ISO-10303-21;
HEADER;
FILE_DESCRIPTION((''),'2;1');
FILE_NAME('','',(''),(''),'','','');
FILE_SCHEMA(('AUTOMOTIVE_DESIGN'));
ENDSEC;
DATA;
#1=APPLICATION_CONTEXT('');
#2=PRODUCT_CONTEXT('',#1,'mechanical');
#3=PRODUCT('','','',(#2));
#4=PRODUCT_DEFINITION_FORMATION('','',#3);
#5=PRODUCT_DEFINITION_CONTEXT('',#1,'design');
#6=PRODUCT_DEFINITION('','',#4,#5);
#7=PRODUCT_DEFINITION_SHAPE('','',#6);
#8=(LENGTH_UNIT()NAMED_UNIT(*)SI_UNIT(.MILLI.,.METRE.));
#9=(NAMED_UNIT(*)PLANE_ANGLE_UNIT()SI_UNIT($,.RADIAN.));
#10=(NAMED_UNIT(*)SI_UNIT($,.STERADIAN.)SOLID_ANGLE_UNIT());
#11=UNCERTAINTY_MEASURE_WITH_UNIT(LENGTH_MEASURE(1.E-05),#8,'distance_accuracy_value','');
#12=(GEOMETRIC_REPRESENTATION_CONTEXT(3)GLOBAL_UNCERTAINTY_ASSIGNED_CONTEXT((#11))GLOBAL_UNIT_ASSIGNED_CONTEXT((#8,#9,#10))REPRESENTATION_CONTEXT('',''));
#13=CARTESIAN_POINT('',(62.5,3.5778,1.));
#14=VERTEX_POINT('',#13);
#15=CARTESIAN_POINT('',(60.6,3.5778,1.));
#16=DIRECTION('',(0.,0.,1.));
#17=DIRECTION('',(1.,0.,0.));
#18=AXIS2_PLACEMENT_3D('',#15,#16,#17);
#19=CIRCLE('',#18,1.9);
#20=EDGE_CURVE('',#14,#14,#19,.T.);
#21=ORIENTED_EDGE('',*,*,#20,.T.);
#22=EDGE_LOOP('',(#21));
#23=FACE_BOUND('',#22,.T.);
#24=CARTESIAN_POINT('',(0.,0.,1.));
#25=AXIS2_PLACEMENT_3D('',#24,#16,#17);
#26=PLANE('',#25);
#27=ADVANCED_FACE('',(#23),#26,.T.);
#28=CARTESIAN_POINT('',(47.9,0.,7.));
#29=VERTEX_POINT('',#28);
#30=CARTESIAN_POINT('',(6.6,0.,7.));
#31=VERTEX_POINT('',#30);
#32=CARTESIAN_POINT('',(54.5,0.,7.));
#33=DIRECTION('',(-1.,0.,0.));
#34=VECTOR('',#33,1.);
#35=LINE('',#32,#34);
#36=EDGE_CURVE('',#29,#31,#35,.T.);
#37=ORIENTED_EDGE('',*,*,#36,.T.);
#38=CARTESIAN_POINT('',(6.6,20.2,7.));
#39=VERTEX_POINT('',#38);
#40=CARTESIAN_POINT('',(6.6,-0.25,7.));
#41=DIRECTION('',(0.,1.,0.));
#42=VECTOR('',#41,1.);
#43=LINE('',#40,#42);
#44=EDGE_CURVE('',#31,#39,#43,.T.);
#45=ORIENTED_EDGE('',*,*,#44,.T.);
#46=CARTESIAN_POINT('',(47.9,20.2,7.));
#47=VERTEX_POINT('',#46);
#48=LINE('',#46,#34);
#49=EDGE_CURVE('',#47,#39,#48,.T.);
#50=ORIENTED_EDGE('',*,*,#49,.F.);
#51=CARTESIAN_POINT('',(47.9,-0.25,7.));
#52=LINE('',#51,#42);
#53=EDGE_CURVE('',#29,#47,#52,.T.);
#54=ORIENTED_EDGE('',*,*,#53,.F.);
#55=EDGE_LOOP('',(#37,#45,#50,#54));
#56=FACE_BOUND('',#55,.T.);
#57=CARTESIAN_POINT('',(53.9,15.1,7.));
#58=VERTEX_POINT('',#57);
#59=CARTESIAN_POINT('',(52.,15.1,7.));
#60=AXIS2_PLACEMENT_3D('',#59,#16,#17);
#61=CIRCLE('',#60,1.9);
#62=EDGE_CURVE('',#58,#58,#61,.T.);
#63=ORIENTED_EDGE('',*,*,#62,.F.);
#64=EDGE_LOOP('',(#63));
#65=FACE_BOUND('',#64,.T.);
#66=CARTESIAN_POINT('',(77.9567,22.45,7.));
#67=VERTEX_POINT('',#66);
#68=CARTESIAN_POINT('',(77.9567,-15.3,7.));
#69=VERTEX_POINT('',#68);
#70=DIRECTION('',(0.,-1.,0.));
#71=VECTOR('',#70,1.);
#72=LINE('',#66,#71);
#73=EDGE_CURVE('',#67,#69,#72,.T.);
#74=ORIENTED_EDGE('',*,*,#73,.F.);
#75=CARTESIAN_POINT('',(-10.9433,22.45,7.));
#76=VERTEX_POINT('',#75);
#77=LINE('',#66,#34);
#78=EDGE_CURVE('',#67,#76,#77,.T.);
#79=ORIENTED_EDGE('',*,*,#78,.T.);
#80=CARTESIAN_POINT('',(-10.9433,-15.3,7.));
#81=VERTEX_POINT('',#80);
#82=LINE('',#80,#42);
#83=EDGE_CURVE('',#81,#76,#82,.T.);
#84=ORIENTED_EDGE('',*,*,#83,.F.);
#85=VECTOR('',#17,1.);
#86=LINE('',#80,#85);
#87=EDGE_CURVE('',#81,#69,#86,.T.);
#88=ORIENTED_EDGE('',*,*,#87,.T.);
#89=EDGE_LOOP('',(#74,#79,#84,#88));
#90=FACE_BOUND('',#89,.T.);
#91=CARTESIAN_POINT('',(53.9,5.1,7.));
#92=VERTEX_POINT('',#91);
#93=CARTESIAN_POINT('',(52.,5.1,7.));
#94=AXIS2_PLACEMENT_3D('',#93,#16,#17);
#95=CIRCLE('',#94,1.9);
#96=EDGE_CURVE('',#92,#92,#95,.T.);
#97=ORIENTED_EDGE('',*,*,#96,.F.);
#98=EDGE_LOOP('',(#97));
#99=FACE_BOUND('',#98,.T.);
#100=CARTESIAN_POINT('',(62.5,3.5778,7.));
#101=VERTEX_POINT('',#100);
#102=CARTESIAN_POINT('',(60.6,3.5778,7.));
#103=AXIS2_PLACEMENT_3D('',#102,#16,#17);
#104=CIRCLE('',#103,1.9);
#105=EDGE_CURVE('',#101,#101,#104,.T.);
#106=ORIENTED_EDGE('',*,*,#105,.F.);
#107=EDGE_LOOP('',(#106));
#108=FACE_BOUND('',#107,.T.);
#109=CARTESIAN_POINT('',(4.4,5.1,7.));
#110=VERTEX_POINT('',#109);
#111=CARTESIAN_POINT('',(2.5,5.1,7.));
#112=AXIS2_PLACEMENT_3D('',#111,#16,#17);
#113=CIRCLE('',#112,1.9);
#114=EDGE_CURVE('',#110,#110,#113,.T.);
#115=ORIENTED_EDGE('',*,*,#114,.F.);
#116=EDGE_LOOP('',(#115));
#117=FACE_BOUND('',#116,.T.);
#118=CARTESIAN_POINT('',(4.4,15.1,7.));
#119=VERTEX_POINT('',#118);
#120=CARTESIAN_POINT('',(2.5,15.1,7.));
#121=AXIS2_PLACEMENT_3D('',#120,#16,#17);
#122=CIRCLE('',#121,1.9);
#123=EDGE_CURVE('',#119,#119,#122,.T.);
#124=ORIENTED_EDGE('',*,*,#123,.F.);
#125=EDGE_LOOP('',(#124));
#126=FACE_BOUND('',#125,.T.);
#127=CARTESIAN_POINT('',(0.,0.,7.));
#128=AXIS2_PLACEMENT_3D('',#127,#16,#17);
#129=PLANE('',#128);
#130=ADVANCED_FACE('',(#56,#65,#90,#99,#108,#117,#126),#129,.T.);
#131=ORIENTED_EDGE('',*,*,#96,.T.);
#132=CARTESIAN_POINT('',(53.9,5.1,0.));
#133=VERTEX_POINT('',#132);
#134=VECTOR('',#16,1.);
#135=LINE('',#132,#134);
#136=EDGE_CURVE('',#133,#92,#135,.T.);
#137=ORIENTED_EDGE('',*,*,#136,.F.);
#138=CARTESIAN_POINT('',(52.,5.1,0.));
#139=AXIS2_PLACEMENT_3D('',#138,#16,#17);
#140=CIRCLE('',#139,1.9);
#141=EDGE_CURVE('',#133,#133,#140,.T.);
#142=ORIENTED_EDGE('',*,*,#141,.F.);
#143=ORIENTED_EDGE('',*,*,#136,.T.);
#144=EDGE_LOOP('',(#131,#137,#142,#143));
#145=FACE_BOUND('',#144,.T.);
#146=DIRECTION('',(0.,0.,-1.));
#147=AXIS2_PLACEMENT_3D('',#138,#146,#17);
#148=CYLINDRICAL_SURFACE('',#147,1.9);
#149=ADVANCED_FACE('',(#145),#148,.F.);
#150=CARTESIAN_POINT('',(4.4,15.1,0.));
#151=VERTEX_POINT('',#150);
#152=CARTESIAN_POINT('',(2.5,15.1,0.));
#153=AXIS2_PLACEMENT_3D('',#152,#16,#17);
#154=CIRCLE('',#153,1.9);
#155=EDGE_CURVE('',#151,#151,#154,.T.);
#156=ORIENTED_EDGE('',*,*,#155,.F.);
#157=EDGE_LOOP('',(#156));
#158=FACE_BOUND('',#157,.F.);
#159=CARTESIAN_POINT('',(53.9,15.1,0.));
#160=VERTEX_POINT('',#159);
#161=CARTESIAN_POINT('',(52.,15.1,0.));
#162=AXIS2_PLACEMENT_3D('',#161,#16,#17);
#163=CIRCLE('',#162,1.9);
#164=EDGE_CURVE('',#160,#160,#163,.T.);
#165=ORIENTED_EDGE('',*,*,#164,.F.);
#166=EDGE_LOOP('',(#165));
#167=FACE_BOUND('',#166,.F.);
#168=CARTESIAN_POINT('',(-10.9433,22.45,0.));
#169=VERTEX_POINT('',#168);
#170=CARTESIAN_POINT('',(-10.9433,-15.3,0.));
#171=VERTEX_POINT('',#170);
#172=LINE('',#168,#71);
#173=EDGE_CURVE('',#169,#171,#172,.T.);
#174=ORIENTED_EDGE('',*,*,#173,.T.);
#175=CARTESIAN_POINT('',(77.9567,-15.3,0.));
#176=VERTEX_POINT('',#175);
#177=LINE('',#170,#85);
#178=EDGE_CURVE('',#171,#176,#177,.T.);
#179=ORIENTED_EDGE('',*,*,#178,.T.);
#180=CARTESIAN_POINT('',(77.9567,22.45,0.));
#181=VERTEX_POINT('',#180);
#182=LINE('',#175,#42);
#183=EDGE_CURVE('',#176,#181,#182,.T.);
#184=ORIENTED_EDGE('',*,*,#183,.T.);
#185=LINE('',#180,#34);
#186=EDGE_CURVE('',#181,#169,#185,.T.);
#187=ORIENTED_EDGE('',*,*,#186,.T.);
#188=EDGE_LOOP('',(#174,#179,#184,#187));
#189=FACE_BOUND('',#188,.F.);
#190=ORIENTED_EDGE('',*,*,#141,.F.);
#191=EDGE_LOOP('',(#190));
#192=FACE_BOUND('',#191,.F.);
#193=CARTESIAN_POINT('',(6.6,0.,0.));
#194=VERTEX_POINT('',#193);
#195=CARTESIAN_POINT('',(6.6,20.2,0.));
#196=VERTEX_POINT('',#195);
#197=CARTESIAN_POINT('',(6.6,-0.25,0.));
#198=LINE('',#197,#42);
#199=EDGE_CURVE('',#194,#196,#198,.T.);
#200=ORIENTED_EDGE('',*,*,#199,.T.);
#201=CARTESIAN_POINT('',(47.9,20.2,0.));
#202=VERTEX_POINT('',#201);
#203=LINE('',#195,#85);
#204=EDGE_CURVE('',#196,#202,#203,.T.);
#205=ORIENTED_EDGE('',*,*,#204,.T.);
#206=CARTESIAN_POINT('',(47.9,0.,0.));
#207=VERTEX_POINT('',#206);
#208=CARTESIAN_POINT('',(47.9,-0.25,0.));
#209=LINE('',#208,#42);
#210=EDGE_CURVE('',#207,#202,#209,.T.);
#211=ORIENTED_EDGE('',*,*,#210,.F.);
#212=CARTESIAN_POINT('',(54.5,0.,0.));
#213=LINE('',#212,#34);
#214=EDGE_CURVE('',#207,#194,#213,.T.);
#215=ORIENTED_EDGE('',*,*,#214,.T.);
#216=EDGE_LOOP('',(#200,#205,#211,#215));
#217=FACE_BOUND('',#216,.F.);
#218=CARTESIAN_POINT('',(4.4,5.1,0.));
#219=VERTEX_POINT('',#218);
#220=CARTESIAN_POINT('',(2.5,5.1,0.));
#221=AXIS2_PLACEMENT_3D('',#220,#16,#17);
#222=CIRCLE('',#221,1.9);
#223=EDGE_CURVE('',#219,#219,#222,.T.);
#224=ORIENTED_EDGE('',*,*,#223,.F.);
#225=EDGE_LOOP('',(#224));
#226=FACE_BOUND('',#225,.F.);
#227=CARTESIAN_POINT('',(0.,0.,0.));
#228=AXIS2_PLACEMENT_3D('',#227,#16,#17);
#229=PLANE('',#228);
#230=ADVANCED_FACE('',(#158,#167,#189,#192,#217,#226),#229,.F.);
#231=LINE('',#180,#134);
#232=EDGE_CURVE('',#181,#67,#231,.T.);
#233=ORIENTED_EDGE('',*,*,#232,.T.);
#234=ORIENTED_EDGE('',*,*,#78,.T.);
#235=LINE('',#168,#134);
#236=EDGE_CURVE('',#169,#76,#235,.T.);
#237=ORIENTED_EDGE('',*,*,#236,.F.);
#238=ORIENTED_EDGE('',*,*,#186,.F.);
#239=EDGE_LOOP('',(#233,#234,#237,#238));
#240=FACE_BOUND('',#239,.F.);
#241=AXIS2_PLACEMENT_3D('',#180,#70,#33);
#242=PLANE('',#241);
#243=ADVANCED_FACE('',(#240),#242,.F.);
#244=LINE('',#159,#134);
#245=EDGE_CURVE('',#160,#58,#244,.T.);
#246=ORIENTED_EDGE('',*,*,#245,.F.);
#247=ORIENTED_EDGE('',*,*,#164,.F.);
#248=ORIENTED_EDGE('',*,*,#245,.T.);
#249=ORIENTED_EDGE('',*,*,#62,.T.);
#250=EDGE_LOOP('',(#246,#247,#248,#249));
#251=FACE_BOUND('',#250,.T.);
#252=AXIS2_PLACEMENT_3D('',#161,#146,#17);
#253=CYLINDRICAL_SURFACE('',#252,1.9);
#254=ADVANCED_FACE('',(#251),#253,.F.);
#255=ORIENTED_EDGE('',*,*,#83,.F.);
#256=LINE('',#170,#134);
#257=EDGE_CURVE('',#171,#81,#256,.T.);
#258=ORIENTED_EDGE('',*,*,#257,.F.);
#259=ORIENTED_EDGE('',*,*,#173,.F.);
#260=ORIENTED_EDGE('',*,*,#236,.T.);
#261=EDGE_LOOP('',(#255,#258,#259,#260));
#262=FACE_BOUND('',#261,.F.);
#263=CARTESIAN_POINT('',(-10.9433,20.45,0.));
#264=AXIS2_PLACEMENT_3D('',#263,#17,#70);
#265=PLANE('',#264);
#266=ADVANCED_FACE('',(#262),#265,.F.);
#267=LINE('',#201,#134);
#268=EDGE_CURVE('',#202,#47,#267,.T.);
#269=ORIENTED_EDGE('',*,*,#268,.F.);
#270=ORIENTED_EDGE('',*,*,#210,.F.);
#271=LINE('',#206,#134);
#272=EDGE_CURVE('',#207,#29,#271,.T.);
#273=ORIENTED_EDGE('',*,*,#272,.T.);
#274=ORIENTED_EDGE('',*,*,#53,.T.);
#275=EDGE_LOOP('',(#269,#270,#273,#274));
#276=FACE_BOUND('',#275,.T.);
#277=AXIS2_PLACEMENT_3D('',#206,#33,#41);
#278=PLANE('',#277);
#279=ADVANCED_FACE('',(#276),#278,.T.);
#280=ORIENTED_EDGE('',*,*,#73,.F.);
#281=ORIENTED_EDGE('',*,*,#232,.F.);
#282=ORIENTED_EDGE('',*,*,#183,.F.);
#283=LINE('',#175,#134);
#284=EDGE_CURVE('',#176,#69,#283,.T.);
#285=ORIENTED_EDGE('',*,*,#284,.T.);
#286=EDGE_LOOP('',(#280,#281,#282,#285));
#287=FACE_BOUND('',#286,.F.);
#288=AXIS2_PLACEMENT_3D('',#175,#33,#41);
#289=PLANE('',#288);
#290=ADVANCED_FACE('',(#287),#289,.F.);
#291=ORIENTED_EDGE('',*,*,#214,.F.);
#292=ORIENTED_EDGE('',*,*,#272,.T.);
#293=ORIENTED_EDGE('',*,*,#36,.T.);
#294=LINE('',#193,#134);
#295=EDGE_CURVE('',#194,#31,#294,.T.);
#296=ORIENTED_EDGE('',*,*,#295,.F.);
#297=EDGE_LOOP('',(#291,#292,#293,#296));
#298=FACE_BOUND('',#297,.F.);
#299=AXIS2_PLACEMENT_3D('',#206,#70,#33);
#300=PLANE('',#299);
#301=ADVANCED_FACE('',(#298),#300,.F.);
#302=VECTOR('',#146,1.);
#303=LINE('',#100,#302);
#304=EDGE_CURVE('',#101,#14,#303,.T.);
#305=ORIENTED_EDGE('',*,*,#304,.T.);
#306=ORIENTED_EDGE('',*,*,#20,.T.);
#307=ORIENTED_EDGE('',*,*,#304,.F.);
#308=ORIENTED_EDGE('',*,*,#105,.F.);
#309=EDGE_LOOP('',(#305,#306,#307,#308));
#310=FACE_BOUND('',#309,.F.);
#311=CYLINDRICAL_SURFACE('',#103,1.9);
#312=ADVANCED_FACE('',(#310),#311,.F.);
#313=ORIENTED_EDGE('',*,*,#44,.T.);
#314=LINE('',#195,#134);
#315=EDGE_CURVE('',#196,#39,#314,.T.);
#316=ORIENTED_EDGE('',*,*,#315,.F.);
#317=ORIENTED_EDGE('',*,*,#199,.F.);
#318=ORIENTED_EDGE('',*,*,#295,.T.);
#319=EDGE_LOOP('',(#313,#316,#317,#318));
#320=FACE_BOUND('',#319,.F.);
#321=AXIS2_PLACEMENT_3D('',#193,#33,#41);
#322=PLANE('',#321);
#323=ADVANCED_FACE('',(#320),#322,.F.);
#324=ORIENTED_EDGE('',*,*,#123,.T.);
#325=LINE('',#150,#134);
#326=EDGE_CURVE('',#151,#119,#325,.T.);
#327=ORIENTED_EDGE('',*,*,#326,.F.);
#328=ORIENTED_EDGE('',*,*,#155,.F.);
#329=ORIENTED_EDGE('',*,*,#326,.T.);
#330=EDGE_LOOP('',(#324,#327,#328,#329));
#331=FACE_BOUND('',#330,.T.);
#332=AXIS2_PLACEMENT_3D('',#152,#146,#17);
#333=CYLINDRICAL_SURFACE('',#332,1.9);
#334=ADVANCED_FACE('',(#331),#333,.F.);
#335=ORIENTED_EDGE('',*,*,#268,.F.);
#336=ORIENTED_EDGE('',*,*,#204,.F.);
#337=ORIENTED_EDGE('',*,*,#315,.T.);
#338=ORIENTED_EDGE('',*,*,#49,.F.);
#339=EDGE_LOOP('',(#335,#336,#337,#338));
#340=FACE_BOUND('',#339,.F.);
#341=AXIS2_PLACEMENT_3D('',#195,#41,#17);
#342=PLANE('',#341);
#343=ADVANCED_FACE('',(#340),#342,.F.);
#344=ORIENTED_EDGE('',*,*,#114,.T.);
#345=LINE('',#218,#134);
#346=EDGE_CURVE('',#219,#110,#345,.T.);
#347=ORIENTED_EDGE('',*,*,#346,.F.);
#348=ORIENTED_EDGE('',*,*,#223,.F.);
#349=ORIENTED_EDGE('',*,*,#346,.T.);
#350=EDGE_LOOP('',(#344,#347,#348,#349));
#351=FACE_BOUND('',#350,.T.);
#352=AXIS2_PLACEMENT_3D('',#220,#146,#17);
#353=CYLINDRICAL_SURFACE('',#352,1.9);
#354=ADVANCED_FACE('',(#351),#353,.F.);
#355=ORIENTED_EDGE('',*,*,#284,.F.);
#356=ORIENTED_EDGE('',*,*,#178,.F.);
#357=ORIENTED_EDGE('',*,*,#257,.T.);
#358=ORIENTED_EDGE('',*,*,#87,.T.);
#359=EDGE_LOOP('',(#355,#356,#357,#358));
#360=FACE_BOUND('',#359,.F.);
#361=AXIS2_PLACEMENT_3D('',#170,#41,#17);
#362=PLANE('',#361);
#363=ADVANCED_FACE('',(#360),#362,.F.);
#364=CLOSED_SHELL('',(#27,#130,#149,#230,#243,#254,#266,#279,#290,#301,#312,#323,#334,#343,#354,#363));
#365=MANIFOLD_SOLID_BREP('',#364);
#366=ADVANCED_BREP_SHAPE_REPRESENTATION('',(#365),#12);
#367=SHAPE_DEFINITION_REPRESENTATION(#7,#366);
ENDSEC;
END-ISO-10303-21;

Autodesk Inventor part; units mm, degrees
ref_plane "YZ Plane" through (0, 0, 0) normal (1, 0, 0) x (0, 1, 0)
ref_plane "XZ Plane" through (0, 0, 0) normal (0, 1, 0) x (-1, 0, 0)
ref_plane "XY Plane" through (0, 0, 0) normal (0, 0, 1) x (1, 0, 0)
sketch "Sketch1" plane through (0, 0, 0) normal (0, 0, 1) x (1, 0, 0)
  line L0 (8.55, 7) -> (8.55, 13.2) construction
  line L1 (8.55, 13.2) -> (8.1046, 13.2) construction
  arc A0 (8.1046, 13.2) -> (8.1046, 7) centre (15.75, 10.1) ccw construction
  line L2 (8.1046, 7) -> (8.55, 7) construction
  line L3 (54.5, 18.2) -> (54.5, 16.6) construction
  line L4 (54.5, 16.6) -> (53.7436, 16.6) construction
  arc A1 (53.7436, 16.6) -> (53.7436, 13.6) centre (52, 15.1) ccw construction
  line L5 (53.7436, 13.6) -> (54.5, 13.6) construction
  line L6 (54.5, 13.6) -> (54.5, 6.6) construction
  line L7 (54.5, 6.6) -> (53.7436, 6.6) construction
  arc A2 (53.7436, 6.6) -> (53.7436, 3.6) centre (52, 5.1) ccw construction
  line L8 (53.7436, 3.6) -> (54.5, 3.6) construction
  line L9 (54.5, 3.6) -> (54.5, 2) construction
  arc A3 (52.5, 0) -> (54.5, 2) centre (52.5, 2) ccw construction
  line L10 (52.5, 0) -> (46.15, 0) construction
  arc A4 (46.15, 0) -> (47.65, 1.5) centre (46.15, 1.5) ccw construction
  line L11 (47.65, 18.7) -> (47.65, 1.5) construction
  arc A5 (47.65, 18.7) -> (46.15, 20.2) centre (46.15, 18.7) ccw construction
  line L12 (8.35, 20.2) -> (46.15, 20.2)
  arc A6 (8.35, 20.2) -> (6.85, 18.7) centre (8.35, 18.7) ccw construction
  line L13 (6.85, 1.5) -> (6.85, 18.7) construction
  arc A7 (6.85, 1.5) -> (8.35, 0) centre (8.35, 1.5) ccw construction
  line L14 (8.35, 0) -> (2, 0) construction
  arc A8 (0, 2) -> (2, 0) centre (2, 2) ccw construction
  line L15 (0, 2) -> (0, 3.6) construction
  line L16 (0, 3.6) -> (0.7564, 3.6) construction
  arc A9 (0.7564, 3.6) -> (0.7564, 6.6) centre (2.5, 5.1) ccw construction
  line L17 (0.7564, 6.6) -> (0, 6.6) construction
  line L18 (0, 6.6) -> (0, 13.6) construction
  line L19 (0, 13.6) -> (0.7564, 13.6) construction
  arc A10 (0.7564, 13.6) -> (0.7564, 16.6) centre (2.5, 15.1) ccw construction
  line L20 (0.7564, 16.6) -> (0, 16.6) construction
  line L21 (0, 16.6) -> (0, 18.2) construction
  arc A11 (2, 20.2) -> (0, 18.2) centre (2, 18.2) ccw construction
  line L22 (2, 20.2) -> (8.35, 20.2)
  arc A12 (54.5, 18.2) -> (52.5, 20.2) centre (52.5, 18.2) ccw construction
  line L23 (46.15, 20.2) -> (52.5, 20.2)
  line L24 (46.15, 0) -> (8.35, 0) construction
  line L25 (54.5, 0) -> (0, 0)
  line L26 (0, 0) -> (0, 20.2) construction
  line L27 (0, 20.2) -> (54.5, 20.2) construction
  line L28 (54.5, 20.2) -> (54.5, 0) construction
  line L29 (54.75, 20.45) -> (-0.25, 20.45)
  line L30 (-0.25, 20.45) -> (-0.25, -0.25)
  line L31 (-0.25, -0.25) -> (54.75, -0.25)
  line L32 (54.75, -0.25) -> (54.75, 20.45)
  line L33 (6.6, -0.25) -> (6.6, 20.45)
  line L34 (47.9, -0.25) -> (47.9, 20.45)
  circle A13 centre (2.5, 5.1) radius 1.9
  circle A14 centre (2.5, 15.1) radius 1.9
  circle A15 centre (52, 5.1) radius 1.9
  circle A16 centre (52, 15.1) radius 1.9
  point P0 (0, 0)
  point P1 (6.6, 20.2)
  point P2 (47.9, 20.2)
  point P3 (47.9, 0)
  point P4 (6.6, 0)
  dimension "d0" = 0
  dimension "d1" = 0
  dimension "d2" = 0.25
  dimension "d3" = 0
  dimension "d4" = 0
  dimension "d5" = 0.25
  dimension "d6" = 0.25
  dimension "d7" = 3.8
  dimension "d8" = 3.8
  dimension "d9" = 3.8
  dimension "d10" = 3.8
extrude "Extrusion1" add sketch "Sketch1" along normal blind 7 contours L22 L33 L29 L34 L23 L12 | L33 L31 L30 L29 | L34 L29 L32 L31 | L25 L34 L31 L33
ref_plane "Work Plane1" through (65.885, 15.7373, 10.7) normal (0, 0, -1) x (0.0023, 1, 0)
sketch "Sketch3" plane through (0, 0, 0) normal (0, 0, -1) x (-1, 0, 0)
  circle A0 centre (-51.2633, 10.1) radius 7.905 construction
  line L0 (10.9433, -15.3) -> (-77.9567, -15.3) construction
  line L1 (10.9433, 35.5) -> (10.9433, -15.3) construction
  line L2 (-77.9567, 35.5) -> (10.9433, 35.5) construction
  line L3 (-77.9567, -15.3) -> (-77.9567, 35.5) construction
  circle A1 centre (-15.75, 10.1) radius 7.905 construction
  line L4 (10.9433, -15.3) -> (-77.9567, -15.3)
  line L5 (-77.9567, -15.3) -> (-77.9567, 20.45)
  line L6 (-77.9567, 20.45) -> (10.9433, 20.45)
  line L7 (10.9433, 20.45) -> (10.9433, -15.3)
  line L8 (-54.75, 20.45) -> (0.25, 20.45) projected
  circle A2 centre (-52, 5.1) radius 1.9 projected
  circle A3 centre (-52, 15.1) radius 1.9 projected
  circle A4 centre (-2.5, 15.1) radius 1.9 projected
  circle A5 centre (-2.5, 5.1) radius 1.9 projected
  line L9 (-6.6, 0) -> (-6.6, 20.2) projected
  line L10 (-6.6, 20.2) -> (-47.9, 20.2) projected
  line L11 (-47.9, 20.2) -> (-47.9, 0) projected
  line L12 (-47.9, 0) -> (-6.6, 0) projected
  line L13 (-54.75, 20.45) -> (0.25, 20.45) projected
  line L14 (0.25, 20.45) -> (0.25, -0.25) projected
  line L15 (0.25, -0.25) -> (-54.75, -0.25) projected
  line L16 (-54.75, -0.25) -> (-54.75, 20.45) projected
  line L17 (10.9433, 20.45) -> (-77.9567, 20.45)
  line L18 (-77.9567, 20.45) -> (-77.9567, 22.45)
  line L19 (-77.9567, 22.45) -> (10.9433, 22.45)
  line L20 (10.9433, 22.45) -> (10.9433, 20.45)
  point P0 (0, 0)
  point P1 (0.25, 20.45)
  dimension "d16" = 0
  dimension "d19" = 2
extrude "Extrusion3" add sketch "Sketch3" against normal up to surface (7 mm away) contours L4 L5 L6 L16 L15 L14 L7 | L6 L18 L19 L20
sketch "Sketch4" plane through (0, 0, 7) normal (0, 0, 1) x (1, 0, 0)
  circle A0 centre (60.6, 3.5778) radius 1.9
  line L0 (-10.9433, 22.45) -> (77.9567, 22.45) construction
  line L1 (77.9567, 22.45) -> (77.9567, -15.3) construction
  line L2 (77.9567, -15.3) -> (-10.9433, -15.3) construction
  line L3 (-10.9433, -15.3) -> (-10.9433, 22.45) construction
  circle A1 centre (52, 5.1) radius 1.9 construction
  circle A2 centre (52, 15.1) radius 1.9 construction
  circle A3 centre (2.5, 15.1) radius 1.9 construction
  circle A4 centre (2.5, 5.1) radius 1.9 construction
  line L4 (6.6, 20.2) -> (6.6, 0) construction
  line L5 (6.6, 0) -> (47.9, 0) construction
  line L6 (47.9, 0) -> (47.9, 20.2) construction
  line L7 (47.9, 20.2) -> (6.6, 20.2) construction
  point P0 (0, 0)
  dimension "d20" = 3.8
  dimension "d21" = 18.8722
  dimension "d23" = 12.7
extrude "Extrusion4" cut sketch "Sketch4" against normal blind 6
properties part number "Top_Claw_Mount"
